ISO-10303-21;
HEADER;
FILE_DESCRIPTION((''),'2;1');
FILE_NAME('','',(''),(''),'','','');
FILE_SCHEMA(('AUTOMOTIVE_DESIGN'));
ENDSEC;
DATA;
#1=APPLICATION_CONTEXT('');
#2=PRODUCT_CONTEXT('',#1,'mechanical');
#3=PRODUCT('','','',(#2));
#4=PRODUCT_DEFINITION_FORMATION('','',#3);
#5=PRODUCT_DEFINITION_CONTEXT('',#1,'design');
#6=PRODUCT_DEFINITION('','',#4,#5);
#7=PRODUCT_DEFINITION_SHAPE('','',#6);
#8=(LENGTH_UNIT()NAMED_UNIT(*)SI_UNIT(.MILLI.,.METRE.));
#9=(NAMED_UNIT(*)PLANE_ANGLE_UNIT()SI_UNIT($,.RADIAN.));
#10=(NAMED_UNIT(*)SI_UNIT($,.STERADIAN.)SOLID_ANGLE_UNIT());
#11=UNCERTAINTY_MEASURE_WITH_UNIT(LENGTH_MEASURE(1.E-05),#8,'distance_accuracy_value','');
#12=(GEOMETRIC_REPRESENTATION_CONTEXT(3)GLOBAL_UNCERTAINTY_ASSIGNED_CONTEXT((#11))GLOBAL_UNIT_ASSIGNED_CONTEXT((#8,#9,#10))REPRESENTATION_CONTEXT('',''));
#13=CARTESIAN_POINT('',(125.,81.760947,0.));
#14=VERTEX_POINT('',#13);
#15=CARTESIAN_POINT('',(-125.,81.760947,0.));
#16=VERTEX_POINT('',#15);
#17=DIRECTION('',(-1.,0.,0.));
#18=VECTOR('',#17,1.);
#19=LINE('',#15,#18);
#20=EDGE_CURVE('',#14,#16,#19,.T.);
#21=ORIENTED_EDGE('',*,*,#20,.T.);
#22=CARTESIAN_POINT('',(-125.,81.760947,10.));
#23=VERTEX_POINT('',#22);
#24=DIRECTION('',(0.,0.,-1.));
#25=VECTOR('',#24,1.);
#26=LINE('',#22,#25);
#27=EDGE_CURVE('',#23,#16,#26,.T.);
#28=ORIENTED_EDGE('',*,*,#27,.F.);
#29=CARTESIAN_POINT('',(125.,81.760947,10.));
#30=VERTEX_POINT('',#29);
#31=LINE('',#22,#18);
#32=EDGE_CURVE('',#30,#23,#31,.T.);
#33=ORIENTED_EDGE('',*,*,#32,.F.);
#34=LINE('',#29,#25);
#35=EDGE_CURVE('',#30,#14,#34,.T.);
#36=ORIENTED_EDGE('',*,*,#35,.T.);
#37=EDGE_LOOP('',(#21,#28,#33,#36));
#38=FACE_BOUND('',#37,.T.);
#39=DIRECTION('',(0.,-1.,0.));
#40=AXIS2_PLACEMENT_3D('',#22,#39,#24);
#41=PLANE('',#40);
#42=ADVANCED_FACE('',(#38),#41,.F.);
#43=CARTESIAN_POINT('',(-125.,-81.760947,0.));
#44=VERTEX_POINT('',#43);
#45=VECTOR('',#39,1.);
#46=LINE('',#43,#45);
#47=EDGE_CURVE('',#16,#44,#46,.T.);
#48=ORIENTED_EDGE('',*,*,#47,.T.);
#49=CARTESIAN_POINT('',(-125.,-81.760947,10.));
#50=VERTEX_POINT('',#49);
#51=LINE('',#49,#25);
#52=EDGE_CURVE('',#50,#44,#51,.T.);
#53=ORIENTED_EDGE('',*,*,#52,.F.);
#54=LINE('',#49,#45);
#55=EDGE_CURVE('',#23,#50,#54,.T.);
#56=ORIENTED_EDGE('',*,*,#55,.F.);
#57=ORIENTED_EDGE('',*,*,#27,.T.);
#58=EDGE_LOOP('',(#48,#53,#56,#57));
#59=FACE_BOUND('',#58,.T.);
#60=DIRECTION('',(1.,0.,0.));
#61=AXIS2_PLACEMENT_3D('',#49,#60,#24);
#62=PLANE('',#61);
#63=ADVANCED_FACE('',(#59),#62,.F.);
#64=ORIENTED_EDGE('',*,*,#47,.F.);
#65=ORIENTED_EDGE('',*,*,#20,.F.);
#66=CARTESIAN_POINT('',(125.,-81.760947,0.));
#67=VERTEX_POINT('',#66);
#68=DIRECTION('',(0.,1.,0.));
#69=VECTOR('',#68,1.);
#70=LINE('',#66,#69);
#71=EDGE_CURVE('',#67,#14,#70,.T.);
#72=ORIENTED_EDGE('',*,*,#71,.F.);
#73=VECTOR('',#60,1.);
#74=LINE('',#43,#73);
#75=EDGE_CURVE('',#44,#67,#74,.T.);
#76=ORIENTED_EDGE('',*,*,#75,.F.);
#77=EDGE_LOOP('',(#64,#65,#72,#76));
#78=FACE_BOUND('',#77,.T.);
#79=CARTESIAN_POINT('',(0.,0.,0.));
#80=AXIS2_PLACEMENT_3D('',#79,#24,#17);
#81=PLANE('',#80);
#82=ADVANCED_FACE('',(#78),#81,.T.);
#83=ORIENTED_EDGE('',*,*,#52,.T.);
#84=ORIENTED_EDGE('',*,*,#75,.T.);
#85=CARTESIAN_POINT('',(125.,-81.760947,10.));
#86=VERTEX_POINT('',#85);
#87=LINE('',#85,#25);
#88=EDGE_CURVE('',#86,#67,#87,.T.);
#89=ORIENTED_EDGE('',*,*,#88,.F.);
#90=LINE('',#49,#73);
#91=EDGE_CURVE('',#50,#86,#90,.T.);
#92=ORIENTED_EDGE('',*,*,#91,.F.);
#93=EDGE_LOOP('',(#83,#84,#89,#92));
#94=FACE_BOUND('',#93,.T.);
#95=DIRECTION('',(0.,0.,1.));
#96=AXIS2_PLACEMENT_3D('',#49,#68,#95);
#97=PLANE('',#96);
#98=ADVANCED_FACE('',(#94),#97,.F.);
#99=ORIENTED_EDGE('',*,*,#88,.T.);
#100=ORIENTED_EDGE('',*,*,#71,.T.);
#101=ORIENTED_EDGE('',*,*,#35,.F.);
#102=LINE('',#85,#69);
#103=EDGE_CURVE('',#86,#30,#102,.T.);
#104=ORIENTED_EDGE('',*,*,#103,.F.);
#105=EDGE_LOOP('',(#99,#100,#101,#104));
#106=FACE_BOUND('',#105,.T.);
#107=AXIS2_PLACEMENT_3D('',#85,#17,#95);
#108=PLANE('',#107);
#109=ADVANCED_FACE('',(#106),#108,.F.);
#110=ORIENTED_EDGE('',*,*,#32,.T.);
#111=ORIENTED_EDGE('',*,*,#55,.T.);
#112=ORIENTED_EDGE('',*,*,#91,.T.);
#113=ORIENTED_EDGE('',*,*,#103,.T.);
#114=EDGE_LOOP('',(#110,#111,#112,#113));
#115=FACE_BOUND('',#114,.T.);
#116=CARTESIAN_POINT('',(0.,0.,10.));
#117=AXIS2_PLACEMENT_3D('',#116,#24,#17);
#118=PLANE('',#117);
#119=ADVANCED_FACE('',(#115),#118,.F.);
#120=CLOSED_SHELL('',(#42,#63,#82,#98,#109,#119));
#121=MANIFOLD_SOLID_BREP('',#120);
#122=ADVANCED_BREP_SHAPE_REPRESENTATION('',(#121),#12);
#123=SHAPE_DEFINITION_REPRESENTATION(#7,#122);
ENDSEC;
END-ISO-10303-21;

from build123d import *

# Parameters (mm, degrees)
ESQUISSE1_W        = 250
ESQUISSE1_H        = 163.521893492
BOSS_EXTRU_1_DEPTH = 10


with BuildPart() as part:
    # Esquisse1 → Boss.-Extru.1 (new body)
    with BuildSketch(Plane.XY):
        Rectangle(ESQUISSE1_W, ESQUISSE1_H)
    extrude(amount=BOSS_EXTRU_1_DEPTH)


solid = part.part
